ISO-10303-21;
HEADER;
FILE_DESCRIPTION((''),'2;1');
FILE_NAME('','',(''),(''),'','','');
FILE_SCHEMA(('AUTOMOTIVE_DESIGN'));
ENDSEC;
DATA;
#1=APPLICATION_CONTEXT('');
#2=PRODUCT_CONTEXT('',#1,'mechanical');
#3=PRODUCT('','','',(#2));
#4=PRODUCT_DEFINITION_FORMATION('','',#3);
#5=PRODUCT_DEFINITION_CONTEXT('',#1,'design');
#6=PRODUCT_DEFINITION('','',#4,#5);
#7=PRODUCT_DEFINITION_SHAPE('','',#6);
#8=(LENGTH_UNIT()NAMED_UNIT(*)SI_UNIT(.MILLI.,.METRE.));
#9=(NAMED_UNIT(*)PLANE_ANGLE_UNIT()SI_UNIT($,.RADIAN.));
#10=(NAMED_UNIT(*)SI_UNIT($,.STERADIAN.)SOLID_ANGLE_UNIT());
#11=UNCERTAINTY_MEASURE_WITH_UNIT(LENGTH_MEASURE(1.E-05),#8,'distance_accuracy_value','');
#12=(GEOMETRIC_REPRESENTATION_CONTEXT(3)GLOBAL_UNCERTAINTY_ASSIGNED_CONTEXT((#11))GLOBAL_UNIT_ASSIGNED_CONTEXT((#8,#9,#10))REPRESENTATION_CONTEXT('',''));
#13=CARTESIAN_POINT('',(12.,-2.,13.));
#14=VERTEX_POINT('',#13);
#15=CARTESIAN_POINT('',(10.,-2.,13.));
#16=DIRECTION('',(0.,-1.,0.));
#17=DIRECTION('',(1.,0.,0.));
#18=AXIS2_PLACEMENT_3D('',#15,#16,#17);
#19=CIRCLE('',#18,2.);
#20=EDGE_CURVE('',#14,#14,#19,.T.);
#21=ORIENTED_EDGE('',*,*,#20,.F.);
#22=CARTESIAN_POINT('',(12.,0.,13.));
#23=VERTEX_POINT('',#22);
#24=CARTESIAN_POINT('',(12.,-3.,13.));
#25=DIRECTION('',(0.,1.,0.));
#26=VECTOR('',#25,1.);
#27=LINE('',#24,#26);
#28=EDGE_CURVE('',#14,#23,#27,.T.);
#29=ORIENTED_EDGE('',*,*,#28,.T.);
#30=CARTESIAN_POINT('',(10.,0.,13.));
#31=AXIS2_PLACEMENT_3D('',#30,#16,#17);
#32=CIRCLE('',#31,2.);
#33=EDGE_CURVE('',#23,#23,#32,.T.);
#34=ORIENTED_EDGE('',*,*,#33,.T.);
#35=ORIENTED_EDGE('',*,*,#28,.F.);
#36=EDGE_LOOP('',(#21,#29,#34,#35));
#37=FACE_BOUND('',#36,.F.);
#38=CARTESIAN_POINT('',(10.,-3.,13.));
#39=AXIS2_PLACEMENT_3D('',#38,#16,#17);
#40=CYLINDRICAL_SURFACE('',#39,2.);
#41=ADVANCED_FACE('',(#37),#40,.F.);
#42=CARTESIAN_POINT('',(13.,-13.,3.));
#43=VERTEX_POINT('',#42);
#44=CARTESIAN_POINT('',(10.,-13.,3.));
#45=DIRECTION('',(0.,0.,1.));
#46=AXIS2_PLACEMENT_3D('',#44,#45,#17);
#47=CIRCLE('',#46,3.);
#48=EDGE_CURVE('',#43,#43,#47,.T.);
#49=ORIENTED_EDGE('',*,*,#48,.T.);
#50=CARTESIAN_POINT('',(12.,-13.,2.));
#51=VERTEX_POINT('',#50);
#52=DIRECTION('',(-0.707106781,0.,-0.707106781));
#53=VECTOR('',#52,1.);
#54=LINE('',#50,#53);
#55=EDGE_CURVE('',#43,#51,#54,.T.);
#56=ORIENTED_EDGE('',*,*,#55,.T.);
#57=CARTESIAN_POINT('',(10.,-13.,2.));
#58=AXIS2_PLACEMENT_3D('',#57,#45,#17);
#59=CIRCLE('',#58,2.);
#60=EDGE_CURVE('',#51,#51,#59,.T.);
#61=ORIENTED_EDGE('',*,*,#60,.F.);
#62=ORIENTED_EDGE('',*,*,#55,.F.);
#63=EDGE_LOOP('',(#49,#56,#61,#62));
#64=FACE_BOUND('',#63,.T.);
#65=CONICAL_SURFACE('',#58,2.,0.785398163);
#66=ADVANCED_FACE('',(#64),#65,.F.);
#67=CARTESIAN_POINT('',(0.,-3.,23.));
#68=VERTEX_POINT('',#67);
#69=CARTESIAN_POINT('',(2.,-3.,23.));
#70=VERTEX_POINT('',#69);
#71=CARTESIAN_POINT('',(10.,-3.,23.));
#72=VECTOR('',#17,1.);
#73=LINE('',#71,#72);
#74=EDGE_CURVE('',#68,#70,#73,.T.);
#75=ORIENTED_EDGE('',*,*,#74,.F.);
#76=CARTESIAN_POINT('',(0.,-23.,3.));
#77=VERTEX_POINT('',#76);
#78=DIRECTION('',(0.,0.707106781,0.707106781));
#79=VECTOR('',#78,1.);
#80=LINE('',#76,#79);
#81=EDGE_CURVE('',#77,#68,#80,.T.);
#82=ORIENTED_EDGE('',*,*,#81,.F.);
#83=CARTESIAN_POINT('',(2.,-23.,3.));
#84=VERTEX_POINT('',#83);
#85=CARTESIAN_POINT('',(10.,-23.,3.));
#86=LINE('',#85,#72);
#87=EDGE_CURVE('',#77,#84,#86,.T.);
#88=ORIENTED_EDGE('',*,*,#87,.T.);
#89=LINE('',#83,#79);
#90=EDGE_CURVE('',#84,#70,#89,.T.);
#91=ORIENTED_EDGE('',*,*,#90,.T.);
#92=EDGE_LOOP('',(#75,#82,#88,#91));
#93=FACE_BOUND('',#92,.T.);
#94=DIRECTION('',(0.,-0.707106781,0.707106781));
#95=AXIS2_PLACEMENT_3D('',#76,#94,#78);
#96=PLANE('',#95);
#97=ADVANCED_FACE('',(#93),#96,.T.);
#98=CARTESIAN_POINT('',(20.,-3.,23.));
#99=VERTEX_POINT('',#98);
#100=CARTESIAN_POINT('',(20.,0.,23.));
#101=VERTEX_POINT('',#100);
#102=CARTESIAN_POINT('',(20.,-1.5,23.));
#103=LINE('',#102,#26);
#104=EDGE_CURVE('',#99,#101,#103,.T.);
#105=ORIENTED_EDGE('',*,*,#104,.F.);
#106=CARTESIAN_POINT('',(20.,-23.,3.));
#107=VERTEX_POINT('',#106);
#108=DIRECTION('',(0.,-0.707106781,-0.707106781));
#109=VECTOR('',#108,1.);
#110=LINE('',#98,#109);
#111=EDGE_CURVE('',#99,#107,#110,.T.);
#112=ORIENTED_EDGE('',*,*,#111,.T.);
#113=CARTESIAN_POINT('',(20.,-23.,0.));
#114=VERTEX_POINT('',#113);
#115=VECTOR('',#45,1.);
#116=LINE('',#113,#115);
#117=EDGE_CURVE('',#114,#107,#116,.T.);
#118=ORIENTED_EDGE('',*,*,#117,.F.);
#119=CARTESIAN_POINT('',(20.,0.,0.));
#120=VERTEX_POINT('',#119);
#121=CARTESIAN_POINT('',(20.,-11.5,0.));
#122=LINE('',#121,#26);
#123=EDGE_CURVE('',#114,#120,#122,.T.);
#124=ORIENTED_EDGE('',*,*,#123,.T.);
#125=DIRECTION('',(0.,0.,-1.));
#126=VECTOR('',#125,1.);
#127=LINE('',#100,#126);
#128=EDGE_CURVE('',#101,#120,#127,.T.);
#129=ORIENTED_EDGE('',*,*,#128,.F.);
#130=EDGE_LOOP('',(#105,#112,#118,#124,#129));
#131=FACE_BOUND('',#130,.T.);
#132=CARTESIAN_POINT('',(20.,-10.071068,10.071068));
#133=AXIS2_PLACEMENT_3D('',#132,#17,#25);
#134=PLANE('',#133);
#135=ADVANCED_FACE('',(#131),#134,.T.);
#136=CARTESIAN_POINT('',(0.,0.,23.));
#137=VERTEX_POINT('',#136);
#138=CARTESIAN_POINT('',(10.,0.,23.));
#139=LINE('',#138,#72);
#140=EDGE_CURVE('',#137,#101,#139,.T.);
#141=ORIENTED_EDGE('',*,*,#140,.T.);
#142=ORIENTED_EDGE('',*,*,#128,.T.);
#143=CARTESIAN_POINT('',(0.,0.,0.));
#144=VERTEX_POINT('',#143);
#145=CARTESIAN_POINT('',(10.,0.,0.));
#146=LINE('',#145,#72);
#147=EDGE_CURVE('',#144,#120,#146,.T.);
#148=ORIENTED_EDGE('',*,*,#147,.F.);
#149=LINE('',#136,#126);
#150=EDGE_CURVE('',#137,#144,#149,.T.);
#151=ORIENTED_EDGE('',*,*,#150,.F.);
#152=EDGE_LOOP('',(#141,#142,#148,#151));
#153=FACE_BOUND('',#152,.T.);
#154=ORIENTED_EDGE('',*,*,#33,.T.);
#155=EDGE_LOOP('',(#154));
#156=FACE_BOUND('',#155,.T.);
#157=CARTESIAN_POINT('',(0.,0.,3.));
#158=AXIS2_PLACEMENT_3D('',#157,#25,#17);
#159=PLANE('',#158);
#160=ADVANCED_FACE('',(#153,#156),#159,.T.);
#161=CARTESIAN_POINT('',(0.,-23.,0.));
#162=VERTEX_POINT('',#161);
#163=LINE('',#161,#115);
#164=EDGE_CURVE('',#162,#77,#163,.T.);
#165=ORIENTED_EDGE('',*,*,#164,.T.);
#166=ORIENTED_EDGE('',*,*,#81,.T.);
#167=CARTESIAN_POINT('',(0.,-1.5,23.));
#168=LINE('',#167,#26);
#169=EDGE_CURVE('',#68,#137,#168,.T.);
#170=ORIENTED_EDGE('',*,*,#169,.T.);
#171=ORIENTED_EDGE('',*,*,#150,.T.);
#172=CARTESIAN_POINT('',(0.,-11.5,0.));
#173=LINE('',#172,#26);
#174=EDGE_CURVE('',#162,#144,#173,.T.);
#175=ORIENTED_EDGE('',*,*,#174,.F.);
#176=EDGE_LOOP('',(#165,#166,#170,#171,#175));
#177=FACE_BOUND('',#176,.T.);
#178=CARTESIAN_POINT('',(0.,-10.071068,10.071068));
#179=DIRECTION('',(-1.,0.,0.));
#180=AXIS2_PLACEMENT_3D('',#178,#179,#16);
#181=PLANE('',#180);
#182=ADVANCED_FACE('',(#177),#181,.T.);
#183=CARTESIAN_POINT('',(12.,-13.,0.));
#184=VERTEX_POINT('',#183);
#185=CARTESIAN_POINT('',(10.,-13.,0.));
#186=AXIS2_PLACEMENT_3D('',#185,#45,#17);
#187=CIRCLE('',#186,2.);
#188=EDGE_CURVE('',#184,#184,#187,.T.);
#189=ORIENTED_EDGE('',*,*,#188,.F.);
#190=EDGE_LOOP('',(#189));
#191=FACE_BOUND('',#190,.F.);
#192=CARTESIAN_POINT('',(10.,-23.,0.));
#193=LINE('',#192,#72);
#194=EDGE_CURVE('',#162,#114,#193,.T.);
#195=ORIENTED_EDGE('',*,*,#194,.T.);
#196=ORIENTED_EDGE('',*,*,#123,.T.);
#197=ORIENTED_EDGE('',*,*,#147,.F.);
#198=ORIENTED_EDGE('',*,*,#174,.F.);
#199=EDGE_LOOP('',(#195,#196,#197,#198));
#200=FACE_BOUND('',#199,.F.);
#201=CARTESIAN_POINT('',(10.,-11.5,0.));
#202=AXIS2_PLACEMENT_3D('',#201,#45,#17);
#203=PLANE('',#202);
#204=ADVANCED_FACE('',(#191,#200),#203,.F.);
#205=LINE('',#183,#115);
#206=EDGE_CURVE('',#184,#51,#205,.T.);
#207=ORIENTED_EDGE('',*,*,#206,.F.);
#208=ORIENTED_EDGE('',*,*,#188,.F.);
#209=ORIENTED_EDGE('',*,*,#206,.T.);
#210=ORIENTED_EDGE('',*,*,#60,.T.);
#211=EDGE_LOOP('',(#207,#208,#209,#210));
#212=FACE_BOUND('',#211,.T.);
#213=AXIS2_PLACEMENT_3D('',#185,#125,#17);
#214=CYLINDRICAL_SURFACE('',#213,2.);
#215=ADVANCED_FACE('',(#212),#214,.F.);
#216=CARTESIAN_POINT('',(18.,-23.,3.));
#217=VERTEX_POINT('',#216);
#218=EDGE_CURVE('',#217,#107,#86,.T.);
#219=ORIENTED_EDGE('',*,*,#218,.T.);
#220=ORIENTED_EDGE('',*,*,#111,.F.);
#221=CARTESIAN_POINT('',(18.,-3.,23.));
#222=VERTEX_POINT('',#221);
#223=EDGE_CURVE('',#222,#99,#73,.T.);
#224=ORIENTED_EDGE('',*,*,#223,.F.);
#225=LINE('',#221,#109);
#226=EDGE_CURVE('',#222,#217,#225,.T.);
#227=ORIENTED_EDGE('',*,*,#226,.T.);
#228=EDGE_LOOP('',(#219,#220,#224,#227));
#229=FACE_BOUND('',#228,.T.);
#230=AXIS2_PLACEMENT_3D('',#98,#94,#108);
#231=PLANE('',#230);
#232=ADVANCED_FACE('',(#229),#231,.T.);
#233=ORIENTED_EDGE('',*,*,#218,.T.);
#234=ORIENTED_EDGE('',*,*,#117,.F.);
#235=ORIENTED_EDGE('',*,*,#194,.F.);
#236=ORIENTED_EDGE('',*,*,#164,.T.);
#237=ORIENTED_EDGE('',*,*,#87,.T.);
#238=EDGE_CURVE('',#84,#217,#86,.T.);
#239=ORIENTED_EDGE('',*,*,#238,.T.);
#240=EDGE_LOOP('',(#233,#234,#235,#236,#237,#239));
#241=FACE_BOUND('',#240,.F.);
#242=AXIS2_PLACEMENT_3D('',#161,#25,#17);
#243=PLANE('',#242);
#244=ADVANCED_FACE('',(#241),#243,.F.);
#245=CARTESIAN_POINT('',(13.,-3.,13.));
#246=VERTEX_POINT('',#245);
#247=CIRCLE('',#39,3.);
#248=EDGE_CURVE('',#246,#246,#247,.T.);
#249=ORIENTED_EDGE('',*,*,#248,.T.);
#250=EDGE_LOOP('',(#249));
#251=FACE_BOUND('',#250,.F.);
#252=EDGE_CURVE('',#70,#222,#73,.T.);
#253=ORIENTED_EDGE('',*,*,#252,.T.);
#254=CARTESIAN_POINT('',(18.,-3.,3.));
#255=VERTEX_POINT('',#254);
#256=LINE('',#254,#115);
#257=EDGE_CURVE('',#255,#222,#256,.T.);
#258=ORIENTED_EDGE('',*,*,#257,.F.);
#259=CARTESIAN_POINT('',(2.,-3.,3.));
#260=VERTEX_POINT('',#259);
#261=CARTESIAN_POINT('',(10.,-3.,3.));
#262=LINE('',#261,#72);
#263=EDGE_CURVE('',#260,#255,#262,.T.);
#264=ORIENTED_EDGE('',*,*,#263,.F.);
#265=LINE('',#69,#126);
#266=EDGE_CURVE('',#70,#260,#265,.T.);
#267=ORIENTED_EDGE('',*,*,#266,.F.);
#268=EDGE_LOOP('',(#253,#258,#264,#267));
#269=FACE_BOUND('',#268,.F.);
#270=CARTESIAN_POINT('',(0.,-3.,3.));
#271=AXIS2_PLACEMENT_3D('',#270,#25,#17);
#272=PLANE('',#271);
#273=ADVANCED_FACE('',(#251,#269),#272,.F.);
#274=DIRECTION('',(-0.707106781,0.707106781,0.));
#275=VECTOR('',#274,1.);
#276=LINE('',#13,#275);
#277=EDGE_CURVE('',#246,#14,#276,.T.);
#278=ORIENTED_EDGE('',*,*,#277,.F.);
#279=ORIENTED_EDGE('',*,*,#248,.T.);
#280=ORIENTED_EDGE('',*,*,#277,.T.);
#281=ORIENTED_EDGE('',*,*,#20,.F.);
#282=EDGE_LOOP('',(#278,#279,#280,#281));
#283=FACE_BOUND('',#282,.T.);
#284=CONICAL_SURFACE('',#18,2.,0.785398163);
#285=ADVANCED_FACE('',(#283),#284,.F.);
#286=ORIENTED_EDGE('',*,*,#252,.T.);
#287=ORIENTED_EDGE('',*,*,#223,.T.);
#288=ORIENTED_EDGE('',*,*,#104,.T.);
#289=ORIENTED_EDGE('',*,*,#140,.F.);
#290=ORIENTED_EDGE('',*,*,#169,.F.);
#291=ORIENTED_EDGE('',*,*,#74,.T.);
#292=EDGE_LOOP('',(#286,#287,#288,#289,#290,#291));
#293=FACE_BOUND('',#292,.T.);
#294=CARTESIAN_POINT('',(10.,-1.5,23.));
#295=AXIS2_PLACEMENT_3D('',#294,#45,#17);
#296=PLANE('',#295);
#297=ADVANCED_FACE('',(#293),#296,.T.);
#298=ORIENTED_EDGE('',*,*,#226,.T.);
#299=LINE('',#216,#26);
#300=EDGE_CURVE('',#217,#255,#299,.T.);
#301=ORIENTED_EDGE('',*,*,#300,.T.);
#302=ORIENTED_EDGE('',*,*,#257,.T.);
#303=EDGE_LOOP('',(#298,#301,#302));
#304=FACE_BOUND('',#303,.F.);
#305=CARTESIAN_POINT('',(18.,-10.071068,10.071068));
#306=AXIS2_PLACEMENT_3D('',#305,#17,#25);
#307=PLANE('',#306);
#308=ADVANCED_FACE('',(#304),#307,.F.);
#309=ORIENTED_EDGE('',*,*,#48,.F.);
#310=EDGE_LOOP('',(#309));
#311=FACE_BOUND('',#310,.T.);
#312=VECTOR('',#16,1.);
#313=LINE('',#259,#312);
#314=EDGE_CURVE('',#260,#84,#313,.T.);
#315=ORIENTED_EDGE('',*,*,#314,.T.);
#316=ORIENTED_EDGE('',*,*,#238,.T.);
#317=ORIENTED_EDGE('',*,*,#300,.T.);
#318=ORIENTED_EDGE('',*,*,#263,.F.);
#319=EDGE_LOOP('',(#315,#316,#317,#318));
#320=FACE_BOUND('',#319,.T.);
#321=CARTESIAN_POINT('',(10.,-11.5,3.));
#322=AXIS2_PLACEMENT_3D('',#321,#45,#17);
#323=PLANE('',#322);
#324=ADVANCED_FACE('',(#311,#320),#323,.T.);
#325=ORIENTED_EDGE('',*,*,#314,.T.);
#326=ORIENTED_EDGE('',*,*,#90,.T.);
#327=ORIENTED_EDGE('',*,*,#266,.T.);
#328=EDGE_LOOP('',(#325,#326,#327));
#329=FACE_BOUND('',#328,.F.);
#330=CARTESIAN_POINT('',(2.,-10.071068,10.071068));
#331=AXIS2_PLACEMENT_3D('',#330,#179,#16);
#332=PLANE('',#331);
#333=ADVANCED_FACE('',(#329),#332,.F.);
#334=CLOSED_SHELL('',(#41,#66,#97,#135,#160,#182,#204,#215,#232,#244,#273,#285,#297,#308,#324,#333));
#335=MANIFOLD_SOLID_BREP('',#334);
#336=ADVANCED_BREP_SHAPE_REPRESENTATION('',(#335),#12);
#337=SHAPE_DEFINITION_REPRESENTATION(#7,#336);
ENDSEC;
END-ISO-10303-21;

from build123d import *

# Parameters (mm, degrees)
F0_W     = 20
F0_H     = 23
F0_R     = 2
F1_DEPTH = 3
F2_W     = 20
F2_H     = 3
F3_DEPTH = 20
F4_R     = 2
F5_DEPTH = 3.001
F7_DEPTH = 2
F9_DEPTH = 2
F10_SIZE = 1


with BuildPart() as f1:
    # F0 (on Top) → F1 (new body)
    with BuildSketch(Plane.XY):
        with Locations((10, -11.5)):
            Rectangle(F0_W, F0_H)
        with Locations((10, -13)):
            Circle(F0_R, mode=Mode.SUBTRACT)
    extrude(amount=F1_DEPTH)

    # F2 (on face) → F3 (join)
    with BuildSketch(Plane.XY.offset(3)):
        with Locations((10, -1.5)):
            Rectangle(F2_W, F2_H)
    extrude(amount=F3_DEPTH)

    # F4 (on face) → F5 (cut, through all)
    with BuildSketch(Plane.XZ.offset(3)):
        with Locations((10, 13)):
            Circle(F4_R)
    extrude(amount=-F5_DEPTH, mode=Mode.SUBTRACT)

    # F6 (on face) → F7 (join)
    with BuildSketch(Plane.YZ.offset(20)):
        Polygon((-3, 3), (-3, 23), (-23, 3), align=None)
    extrude(amount=-F7_DEPTH)

    # F8 (on face) → F9 (join)
    with BuildSketch(Plane(origin=(0, 0, 0), x_dir=(0, -1, 0), z_dir=(-1, 0, 0))):
        Polygon((23, 3), (3, 23), (3, 3), align=None)
    extrude(amount=-F9_DEPTH)

    # F10
    f10_edges = [f1.edges().sort_by_distance(p)[0] for p in [
        (8, -13, 3),
        (8, -3, 13),
    ]]
    chamfer(f10_edges, length=F10_SIZE)


solid = f1.part
